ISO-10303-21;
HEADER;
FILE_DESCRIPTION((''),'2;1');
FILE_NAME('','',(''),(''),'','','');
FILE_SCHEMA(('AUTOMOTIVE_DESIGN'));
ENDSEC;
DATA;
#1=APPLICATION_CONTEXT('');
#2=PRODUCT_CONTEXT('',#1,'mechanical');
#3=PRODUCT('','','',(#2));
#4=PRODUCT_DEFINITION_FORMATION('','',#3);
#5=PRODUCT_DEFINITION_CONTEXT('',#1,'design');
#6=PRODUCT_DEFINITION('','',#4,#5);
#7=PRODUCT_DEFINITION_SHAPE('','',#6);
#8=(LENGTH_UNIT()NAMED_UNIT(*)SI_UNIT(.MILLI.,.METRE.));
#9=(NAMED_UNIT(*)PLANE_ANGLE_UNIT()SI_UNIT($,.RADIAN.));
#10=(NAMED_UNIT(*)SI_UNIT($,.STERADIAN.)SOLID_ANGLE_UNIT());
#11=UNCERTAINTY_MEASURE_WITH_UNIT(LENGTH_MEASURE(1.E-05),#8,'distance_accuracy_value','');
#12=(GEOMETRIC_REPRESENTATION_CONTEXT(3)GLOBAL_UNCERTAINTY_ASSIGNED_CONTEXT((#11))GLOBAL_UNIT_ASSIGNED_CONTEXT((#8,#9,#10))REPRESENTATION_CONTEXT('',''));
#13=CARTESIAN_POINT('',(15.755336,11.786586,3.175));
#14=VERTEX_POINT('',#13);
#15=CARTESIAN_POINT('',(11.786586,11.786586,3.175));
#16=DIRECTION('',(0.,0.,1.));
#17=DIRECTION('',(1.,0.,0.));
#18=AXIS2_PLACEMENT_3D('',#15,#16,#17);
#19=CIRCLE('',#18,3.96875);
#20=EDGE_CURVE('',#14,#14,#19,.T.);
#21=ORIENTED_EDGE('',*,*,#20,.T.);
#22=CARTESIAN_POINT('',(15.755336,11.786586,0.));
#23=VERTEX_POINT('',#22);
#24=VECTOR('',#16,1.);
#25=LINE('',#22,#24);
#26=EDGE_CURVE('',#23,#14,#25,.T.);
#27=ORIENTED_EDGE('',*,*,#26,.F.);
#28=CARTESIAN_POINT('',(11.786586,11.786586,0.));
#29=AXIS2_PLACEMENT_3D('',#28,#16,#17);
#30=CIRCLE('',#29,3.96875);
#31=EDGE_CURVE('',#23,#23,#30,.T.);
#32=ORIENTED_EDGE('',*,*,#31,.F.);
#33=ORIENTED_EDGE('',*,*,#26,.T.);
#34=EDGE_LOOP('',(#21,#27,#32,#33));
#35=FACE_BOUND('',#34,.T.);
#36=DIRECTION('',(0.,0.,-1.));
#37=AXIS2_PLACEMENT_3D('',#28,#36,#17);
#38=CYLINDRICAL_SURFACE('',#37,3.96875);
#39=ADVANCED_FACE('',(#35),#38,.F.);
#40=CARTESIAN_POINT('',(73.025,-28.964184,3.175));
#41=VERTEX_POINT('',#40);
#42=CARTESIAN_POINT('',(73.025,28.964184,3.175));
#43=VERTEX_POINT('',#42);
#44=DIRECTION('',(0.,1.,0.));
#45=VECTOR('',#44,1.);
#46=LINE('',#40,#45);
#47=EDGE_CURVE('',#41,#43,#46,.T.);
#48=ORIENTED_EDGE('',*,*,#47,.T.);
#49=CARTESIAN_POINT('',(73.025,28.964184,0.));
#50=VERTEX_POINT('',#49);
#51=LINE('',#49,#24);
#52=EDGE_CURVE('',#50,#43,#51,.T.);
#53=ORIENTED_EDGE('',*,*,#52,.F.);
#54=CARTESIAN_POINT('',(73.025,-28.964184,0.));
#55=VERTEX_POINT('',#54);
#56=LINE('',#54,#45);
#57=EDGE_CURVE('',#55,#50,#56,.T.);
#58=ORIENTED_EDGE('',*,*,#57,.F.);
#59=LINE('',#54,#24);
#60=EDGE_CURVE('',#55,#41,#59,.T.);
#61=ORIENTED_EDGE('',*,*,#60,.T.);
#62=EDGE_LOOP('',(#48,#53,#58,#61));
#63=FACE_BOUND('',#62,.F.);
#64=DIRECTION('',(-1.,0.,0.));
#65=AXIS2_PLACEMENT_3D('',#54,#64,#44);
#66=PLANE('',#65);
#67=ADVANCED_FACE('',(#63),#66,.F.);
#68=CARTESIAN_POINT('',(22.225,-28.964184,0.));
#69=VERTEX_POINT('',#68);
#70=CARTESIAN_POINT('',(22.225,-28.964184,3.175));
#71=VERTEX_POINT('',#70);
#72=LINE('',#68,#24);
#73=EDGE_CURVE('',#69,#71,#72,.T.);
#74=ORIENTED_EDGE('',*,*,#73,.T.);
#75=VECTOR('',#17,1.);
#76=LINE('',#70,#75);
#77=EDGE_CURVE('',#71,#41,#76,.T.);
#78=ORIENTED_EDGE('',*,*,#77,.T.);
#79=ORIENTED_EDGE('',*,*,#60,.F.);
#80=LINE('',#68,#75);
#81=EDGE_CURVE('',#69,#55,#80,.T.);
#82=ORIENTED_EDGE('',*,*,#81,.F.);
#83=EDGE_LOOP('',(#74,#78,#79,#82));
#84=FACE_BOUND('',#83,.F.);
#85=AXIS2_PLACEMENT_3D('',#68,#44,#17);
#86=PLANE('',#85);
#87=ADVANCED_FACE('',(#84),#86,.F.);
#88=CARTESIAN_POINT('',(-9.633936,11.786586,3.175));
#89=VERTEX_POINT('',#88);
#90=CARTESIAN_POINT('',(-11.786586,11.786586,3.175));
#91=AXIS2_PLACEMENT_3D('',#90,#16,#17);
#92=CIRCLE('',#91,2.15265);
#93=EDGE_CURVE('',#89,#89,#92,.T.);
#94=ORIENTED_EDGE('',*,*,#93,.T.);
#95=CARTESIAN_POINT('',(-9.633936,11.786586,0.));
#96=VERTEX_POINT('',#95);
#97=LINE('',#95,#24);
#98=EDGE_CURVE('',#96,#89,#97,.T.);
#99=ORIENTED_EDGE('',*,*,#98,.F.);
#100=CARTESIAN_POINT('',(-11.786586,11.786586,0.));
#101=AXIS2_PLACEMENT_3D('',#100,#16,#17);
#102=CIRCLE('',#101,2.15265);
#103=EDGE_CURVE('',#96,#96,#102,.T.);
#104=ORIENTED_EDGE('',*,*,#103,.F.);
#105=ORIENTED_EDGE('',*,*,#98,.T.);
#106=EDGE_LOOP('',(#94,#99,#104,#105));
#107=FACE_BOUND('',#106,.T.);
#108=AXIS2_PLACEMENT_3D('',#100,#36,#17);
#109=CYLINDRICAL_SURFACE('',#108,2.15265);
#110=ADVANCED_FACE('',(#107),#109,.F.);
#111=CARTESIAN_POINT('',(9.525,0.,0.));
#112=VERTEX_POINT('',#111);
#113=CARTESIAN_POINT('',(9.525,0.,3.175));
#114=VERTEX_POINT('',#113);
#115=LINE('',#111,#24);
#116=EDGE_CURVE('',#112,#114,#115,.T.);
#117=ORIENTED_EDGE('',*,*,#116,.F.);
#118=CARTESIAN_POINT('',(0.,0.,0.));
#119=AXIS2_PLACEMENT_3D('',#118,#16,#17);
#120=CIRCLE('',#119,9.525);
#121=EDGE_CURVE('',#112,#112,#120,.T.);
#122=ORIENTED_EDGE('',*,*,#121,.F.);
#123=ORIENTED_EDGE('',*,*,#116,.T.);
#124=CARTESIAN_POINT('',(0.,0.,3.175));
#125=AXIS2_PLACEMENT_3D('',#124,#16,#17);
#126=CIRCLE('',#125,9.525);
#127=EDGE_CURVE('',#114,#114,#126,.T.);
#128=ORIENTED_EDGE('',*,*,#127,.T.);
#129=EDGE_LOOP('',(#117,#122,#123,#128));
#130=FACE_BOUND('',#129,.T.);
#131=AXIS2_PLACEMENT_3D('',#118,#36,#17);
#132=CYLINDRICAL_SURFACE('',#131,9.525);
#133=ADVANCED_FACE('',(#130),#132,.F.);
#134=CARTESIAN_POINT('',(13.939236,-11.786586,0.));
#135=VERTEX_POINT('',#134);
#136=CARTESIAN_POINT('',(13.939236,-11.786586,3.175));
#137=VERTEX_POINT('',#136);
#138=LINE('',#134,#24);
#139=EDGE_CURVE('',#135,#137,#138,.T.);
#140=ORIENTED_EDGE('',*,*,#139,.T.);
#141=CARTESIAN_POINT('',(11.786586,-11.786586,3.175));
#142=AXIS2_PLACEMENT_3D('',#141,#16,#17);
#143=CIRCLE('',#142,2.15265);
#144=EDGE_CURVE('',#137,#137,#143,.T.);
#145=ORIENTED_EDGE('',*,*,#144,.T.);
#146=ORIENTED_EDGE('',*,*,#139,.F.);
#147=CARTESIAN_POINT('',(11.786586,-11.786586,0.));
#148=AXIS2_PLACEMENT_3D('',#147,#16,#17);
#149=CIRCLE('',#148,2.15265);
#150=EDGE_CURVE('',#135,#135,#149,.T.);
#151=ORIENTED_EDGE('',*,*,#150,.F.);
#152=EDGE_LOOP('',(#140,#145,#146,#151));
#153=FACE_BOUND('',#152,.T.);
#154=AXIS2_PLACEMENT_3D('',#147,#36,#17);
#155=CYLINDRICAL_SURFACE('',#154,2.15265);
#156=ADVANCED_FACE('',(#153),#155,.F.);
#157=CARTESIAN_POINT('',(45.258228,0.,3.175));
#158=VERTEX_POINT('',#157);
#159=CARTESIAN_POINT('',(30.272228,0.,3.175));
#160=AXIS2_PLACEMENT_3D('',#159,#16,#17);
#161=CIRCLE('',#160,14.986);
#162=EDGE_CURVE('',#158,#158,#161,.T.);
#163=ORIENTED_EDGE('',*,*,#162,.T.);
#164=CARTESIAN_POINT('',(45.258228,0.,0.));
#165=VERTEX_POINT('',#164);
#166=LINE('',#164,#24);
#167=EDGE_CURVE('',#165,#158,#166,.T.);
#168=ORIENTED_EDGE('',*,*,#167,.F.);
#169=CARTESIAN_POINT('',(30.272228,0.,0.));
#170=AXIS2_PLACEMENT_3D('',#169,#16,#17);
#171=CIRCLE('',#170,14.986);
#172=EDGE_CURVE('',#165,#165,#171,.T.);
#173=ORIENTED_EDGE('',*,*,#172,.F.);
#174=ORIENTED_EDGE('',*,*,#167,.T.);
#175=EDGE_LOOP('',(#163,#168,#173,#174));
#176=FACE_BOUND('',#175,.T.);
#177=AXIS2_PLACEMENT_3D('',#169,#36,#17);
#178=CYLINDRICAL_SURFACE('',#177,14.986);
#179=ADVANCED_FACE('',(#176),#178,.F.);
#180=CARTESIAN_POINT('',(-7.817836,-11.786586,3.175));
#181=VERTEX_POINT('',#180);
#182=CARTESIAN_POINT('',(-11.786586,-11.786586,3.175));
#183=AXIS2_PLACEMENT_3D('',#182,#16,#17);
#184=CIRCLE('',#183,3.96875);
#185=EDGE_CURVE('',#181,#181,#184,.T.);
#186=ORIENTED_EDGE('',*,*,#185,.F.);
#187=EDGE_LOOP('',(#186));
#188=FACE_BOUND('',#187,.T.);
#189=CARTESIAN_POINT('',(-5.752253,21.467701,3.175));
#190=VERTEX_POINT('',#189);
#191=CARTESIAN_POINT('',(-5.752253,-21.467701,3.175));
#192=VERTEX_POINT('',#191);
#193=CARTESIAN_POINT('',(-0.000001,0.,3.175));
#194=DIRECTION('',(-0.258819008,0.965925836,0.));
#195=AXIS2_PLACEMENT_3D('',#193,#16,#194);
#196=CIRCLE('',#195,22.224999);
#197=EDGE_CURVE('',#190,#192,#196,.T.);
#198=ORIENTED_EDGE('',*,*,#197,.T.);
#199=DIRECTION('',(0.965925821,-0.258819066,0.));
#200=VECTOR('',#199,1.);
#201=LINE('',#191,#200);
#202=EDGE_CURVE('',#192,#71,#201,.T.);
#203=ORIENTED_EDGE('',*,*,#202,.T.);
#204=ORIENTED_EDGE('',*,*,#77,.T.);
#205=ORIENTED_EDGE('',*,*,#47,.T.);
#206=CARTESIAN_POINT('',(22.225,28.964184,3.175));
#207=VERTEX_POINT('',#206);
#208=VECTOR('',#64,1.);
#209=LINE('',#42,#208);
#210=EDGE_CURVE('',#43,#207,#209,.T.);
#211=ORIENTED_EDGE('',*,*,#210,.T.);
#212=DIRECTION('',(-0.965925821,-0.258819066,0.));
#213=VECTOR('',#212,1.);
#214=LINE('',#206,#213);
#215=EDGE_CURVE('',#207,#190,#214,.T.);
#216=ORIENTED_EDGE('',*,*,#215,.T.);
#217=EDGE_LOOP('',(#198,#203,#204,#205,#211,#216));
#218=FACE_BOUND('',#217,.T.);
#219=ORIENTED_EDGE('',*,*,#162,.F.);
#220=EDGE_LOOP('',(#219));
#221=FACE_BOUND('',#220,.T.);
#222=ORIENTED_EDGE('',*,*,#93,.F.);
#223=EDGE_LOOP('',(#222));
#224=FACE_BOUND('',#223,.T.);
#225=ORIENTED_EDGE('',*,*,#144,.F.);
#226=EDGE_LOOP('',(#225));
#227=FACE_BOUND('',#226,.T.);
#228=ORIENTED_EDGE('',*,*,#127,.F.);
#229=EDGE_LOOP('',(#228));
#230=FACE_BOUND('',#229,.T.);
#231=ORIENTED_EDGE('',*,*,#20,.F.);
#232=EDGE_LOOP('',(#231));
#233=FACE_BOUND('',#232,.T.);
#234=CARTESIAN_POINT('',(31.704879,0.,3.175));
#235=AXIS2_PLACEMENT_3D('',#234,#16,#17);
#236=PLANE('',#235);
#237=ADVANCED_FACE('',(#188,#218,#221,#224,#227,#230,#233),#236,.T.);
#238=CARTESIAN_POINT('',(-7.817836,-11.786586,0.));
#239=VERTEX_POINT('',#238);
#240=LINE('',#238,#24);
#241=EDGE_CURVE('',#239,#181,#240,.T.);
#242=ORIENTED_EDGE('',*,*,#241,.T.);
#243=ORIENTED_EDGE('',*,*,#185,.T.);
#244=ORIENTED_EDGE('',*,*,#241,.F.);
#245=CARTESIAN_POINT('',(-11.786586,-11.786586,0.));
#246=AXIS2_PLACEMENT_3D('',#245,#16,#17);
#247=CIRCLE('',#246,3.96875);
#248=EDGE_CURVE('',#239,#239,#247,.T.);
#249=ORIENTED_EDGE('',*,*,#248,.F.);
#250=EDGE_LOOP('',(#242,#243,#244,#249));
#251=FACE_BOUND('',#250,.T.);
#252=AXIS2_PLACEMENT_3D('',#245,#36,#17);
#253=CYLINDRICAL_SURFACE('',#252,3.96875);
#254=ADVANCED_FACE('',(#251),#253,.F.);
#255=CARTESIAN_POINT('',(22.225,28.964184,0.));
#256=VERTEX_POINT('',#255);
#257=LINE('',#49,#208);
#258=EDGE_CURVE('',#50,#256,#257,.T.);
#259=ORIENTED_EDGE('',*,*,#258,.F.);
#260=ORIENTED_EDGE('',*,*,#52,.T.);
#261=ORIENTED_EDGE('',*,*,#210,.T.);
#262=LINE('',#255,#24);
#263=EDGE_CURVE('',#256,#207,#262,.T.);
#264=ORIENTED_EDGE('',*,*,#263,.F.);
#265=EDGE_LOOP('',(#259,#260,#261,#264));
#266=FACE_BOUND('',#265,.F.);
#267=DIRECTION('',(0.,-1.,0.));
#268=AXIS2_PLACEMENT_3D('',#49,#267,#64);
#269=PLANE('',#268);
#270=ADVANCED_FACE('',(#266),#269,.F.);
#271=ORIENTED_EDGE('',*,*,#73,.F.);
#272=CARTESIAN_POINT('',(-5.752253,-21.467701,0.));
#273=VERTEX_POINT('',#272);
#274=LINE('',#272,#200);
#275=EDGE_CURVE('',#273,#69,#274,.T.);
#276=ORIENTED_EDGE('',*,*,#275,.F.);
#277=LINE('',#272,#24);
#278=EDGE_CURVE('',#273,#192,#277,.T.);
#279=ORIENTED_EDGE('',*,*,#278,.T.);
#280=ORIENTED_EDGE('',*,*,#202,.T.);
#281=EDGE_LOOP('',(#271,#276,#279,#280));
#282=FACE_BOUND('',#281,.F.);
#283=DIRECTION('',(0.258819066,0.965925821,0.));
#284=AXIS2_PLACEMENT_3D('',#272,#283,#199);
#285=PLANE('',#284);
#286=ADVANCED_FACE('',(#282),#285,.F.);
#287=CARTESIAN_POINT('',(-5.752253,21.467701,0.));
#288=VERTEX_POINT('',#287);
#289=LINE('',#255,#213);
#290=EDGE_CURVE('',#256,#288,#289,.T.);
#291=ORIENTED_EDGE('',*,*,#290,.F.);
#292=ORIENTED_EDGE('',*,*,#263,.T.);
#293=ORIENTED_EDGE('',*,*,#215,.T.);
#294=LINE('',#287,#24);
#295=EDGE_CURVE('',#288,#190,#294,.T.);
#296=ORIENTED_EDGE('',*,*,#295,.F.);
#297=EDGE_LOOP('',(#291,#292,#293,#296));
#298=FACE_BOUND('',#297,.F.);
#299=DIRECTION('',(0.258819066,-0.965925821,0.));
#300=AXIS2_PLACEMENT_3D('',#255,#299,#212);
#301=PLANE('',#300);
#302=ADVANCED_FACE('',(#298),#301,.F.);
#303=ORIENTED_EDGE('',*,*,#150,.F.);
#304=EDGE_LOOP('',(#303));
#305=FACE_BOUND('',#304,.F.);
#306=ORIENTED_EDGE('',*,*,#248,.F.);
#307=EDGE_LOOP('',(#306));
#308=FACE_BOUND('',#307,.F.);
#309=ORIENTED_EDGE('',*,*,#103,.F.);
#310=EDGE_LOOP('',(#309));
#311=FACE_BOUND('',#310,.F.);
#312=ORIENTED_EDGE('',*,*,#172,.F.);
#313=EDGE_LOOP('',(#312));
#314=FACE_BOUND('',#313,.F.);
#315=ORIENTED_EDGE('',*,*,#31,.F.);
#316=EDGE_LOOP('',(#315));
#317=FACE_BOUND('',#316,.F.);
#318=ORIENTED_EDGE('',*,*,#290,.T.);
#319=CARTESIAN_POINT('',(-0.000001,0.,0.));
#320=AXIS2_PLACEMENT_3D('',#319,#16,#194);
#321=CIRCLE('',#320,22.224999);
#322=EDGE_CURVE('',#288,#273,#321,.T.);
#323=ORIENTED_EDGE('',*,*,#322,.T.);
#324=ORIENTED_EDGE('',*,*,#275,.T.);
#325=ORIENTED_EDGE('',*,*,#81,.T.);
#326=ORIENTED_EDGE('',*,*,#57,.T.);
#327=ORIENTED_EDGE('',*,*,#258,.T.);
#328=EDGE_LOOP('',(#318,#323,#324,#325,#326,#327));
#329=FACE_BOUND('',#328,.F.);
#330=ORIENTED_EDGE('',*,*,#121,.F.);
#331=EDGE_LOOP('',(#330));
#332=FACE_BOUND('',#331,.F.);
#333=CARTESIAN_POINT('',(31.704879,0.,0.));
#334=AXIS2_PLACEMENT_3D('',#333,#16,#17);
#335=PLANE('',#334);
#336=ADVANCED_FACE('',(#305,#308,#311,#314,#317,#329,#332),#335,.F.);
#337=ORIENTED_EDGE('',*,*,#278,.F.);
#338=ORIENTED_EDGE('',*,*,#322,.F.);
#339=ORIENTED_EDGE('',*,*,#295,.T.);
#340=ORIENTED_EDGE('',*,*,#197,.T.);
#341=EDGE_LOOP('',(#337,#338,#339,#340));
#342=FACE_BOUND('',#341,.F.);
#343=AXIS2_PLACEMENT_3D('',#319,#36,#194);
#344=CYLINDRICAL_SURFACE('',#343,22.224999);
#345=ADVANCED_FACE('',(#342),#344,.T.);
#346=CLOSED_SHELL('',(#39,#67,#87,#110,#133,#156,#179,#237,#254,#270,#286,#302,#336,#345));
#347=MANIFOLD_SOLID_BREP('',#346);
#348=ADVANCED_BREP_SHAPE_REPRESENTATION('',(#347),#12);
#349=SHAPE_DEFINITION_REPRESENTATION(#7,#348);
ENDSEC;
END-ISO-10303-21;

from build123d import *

# Parameters (mm, degrees)
F0_R     = 3.96875
F0_R_2   = 9.525
F0_R_3   = 2.15265
F0_R_4   = 14.986
F1_DEPTH = 3.175


with BuildPart() as f1:
    # F0 (on Top) → F1 (new body)
    with BuildSketch(Plane.XY):
        with BuildLine():
            Line((73.025, 28.964184), (22.225, 28.964184))
            Line((22.225, 28.964184), (-5.752253, 21.467701))
            ThreePointArc((-5.752253, 21.467701), (-22.225, 0), (-5.752253, -21.467701))
            Line((-5.752253, -21.467701), (22.225, -28.964184))
            Line((22.225, -28.964184), (73.025, -28.964184))
            Line((73.025, -28.964184), (73.025, 28.964184))
        make_face()
        with Locations((-11.786586, -11.786586)):
            Circle(F0_R, mode=Mode.SUBTRACT)
        Circle(F0_R_2, mode=Mode.SUBTRACT)
        with Locations((11.786586, -11.786586)):
            Circle(F0_R_3, mode=Mode.SUBTRACT)
        with Locations((30.272228, 0)):
            Circle(F0_R_4, mode=Mode.SUBTRACT)
        with Locations((-11.786586, 11.786586)):
            Circle(F0_R_3, mode=Mode.SUBTRACT)
        with Locations((11.786586, 11.786586)):
            Circle(F0_R, mode=Mode.SUBTRACT)
    extrude(amount=F1_DEPTH)


solid = f1.part
